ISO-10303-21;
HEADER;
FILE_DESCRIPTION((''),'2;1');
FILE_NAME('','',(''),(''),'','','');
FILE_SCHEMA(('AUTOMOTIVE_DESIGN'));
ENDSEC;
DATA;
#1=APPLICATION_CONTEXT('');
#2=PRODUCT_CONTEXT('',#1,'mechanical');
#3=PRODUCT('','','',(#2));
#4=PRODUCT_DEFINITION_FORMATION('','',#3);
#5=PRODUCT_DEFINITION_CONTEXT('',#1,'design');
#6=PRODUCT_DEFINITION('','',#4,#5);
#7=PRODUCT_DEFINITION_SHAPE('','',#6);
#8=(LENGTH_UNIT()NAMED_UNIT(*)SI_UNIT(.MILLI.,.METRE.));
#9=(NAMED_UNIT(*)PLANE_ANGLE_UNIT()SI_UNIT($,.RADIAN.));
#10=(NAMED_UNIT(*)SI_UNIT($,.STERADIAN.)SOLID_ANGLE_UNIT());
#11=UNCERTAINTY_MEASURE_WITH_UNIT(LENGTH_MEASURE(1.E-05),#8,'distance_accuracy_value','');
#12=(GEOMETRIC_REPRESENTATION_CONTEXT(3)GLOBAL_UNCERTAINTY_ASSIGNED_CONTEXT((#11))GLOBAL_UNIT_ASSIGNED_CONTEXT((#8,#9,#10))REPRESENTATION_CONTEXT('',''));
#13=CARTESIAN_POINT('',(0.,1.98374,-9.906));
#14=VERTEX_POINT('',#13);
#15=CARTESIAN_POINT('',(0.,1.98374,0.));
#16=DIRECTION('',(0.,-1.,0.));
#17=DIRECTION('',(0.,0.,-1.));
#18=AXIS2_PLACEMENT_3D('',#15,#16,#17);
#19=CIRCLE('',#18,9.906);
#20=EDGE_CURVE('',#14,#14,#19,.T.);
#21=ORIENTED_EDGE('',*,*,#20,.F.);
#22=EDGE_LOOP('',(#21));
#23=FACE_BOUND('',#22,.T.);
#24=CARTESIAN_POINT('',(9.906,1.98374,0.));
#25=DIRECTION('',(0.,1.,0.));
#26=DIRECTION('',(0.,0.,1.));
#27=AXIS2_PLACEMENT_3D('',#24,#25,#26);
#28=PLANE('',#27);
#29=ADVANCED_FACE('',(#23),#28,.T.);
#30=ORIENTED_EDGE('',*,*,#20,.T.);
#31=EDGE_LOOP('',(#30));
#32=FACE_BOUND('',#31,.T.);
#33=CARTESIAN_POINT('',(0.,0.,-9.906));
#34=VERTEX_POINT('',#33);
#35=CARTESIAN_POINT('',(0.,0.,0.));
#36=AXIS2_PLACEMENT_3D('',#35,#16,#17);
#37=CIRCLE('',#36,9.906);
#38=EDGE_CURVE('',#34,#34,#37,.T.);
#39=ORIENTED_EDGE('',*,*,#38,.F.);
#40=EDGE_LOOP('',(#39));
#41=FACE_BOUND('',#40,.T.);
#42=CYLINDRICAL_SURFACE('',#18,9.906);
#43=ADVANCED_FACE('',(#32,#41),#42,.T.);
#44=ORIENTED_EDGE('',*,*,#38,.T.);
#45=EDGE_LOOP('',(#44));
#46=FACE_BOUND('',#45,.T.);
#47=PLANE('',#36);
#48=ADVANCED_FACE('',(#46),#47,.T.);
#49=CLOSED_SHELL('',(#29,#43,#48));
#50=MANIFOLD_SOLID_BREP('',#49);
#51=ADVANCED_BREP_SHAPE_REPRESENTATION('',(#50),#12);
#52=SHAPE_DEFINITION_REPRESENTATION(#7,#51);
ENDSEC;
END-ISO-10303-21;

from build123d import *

# Parameters (mm, degrees)
SKETCH1_W = 9.906
SKETCH1_H = 1.98374


with BuildPart() as part:
    # Sketch1 → Revolve1 (revolve)
    with BuildSketch(Plane.XY, mode=Mode.PRIVATE) as revolve1_sk:
        with Locations((4.953, 0.99187)):
            Rectangle(SKETCH1_W, SKETCH1_H)
    revolve(revolve1_sk.sketch.rotate(Axis((0, 1.98374, 0), (0, -1, 0)), 270), axis=Axis((0, 1.98374, 0), (0, -1, 0)))


solid = part.part
